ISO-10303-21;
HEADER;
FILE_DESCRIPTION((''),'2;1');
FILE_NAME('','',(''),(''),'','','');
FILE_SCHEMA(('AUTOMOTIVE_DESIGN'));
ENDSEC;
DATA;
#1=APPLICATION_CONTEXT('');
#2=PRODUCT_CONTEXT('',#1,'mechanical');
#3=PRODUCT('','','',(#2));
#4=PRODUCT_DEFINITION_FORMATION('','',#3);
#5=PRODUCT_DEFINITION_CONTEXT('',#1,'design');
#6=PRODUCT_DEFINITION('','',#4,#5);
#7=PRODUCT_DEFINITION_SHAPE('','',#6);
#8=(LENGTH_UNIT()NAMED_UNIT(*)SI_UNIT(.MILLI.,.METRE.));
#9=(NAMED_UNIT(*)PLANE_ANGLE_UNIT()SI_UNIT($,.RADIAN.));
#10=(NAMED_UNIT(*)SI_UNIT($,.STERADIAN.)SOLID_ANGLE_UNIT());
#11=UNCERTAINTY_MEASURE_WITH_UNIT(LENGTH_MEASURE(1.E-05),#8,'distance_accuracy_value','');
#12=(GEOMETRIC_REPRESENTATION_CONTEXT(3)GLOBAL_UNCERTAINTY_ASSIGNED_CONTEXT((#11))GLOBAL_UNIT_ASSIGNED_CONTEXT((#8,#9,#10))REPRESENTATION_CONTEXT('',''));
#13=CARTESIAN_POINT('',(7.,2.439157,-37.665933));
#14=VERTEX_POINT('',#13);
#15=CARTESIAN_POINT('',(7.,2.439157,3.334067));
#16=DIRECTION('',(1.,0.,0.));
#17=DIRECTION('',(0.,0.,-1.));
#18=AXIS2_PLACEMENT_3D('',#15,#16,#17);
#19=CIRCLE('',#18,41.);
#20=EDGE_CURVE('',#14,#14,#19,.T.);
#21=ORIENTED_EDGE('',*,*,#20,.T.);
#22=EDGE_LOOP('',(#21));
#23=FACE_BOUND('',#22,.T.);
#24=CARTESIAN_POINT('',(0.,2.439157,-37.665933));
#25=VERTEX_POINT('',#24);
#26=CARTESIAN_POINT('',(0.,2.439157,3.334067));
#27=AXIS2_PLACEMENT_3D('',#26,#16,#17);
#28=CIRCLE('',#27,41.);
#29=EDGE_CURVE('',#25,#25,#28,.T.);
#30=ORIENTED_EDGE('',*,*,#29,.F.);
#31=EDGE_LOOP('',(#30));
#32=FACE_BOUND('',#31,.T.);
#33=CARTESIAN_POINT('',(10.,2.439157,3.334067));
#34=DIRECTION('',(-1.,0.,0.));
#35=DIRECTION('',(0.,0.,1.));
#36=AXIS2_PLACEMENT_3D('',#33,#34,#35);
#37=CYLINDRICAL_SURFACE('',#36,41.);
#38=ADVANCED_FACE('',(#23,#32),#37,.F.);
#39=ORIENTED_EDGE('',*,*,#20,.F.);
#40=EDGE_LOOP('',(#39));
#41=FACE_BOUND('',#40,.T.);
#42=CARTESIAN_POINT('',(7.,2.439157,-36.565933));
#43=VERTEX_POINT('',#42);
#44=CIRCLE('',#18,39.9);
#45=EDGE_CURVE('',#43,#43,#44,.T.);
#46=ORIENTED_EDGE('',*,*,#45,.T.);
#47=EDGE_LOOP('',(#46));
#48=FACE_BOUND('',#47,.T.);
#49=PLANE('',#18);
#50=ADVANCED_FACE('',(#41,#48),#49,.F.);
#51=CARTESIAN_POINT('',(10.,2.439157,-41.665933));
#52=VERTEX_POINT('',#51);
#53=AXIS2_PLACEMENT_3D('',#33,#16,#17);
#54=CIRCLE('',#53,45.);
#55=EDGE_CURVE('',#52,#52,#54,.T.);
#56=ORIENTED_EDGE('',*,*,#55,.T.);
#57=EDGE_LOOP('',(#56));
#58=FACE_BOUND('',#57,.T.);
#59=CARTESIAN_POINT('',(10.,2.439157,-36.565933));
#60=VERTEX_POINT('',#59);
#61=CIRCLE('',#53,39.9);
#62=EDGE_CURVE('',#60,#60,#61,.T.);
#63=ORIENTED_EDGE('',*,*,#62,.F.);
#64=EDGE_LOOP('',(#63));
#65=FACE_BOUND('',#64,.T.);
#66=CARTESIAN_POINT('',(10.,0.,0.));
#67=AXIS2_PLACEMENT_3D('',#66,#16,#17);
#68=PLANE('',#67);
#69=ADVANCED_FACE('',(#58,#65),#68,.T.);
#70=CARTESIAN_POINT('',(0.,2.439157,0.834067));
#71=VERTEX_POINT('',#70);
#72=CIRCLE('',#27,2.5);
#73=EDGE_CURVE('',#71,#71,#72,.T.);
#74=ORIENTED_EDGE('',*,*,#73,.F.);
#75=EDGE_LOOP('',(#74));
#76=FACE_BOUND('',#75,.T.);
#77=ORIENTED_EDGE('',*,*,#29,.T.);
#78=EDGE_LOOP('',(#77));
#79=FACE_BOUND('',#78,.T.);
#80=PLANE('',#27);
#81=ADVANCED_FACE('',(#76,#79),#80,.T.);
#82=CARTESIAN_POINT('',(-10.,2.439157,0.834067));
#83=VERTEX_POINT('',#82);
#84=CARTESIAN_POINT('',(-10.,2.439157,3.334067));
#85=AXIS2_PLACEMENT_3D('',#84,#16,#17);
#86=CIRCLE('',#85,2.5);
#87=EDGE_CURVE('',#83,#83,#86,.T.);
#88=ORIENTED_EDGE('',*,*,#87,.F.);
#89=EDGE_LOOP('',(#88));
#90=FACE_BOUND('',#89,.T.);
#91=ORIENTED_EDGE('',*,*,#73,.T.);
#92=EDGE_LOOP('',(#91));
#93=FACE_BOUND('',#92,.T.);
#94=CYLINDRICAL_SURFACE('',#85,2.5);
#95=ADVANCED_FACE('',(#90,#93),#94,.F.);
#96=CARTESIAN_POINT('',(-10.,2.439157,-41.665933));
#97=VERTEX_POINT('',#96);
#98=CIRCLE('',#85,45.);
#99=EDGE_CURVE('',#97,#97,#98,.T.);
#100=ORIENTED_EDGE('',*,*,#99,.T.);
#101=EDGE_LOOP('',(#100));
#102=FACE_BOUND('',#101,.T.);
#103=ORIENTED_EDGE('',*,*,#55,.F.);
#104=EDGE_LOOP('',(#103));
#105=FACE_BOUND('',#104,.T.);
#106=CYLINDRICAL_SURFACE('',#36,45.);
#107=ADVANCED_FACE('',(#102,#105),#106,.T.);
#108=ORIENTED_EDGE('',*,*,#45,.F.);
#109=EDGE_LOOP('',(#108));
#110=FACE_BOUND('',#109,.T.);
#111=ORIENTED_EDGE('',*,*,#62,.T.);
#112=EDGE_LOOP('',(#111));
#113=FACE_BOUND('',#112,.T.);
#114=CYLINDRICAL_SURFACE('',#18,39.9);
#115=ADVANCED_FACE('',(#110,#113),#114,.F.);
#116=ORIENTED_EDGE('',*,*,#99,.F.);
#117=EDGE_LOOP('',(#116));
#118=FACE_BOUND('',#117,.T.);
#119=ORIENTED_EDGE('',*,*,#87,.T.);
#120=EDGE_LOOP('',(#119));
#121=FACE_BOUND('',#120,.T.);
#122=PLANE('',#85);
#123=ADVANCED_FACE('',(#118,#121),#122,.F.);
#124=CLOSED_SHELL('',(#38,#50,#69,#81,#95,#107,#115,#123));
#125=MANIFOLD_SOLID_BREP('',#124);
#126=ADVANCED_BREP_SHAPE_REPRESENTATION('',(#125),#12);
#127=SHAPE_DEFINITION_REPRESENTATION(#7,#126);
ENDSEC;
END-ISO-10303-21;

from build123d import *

# Parameters (mm, degrees)
CROQUIS2_R              = 45
CROQUIS2_R_2            = 41
SALIENTE_EXTRUIR1_DEPTH = 10
CROQUIS3_R              = 45
SALIENTE_EXTRUIR2_DEPTH = 10
CROQUIS4_R              = 45
CROQUIS4_R_2            = 39.9
SALIENTE_EXTRUIR3_DEPTH = 3
CROQUIS5_R              = 2.5
CORTAR_EXTRUIR1_DEPTH   = 10


with BuildPart() as part:
    # Croquis2 → Saliente-Extruir1 (new body)
    with BuildSketch(Plane(origin=(0, 0, 0), x_dir=(0, 0, -1), z_dir=(1, 0, 0))):
        with Locations((-3.334066787, 2.439156595)):
            Circle(CROQUIS2_R)
        with Locations((-3.334066787, 2.439156595)):
            Circle(CROQUIS2_R_2, mode=Mode.SUBTRACT)
    extrude(amount=SALIENTE_EXTRUIR1_DEPTH)

    # Croquis3 → Saliente-Extruir2 (add)
    with BuildSketch(Plane(origin=(0, 0, 0), x_dir=(0, 0, -1), z_dir=(1, 0, 0))):
        with Locations((-3.334066787, 2.439156595)):
            Circle(CROQUIS3_R)
    extrude(amount=-SALIENTE_EXTRUIR2_DEPTH)

    # Croquis4 → Saliente-Extruir3 (add)
    with BuildSketch(Plane(origin=(10, 0, 0), x_dir=(0, 0, -1), z_dir=(1, 0, 0))):
        with Locations((-3.334066787, 2.439156595)):
            Circle(CROQUIS4_R)
        with Locations((-3.334066787, 2.439156595)):
            Circle(CROQUIS4_R_2, mode=Mode.SUBTRACT)
    extrude(amount=-SALIENTE_EXTRUIR3_DEPTH)

    # Croquis5 → Cortar-Extruir1 (cut)
    with BuildSketch(Plane(origin=(0, 0, 0), x_dir=(0, 0, -1), z_dir=(1, 0, 0))):
        with Locations((-3.334066787, 2.439156595)):
            Circle(CROQUIS5_R)
    extrude(amount=-CORTAR_EXTRUIR1_DEPTH, mode=Mode.SUBTRACT)


solid = part.part
